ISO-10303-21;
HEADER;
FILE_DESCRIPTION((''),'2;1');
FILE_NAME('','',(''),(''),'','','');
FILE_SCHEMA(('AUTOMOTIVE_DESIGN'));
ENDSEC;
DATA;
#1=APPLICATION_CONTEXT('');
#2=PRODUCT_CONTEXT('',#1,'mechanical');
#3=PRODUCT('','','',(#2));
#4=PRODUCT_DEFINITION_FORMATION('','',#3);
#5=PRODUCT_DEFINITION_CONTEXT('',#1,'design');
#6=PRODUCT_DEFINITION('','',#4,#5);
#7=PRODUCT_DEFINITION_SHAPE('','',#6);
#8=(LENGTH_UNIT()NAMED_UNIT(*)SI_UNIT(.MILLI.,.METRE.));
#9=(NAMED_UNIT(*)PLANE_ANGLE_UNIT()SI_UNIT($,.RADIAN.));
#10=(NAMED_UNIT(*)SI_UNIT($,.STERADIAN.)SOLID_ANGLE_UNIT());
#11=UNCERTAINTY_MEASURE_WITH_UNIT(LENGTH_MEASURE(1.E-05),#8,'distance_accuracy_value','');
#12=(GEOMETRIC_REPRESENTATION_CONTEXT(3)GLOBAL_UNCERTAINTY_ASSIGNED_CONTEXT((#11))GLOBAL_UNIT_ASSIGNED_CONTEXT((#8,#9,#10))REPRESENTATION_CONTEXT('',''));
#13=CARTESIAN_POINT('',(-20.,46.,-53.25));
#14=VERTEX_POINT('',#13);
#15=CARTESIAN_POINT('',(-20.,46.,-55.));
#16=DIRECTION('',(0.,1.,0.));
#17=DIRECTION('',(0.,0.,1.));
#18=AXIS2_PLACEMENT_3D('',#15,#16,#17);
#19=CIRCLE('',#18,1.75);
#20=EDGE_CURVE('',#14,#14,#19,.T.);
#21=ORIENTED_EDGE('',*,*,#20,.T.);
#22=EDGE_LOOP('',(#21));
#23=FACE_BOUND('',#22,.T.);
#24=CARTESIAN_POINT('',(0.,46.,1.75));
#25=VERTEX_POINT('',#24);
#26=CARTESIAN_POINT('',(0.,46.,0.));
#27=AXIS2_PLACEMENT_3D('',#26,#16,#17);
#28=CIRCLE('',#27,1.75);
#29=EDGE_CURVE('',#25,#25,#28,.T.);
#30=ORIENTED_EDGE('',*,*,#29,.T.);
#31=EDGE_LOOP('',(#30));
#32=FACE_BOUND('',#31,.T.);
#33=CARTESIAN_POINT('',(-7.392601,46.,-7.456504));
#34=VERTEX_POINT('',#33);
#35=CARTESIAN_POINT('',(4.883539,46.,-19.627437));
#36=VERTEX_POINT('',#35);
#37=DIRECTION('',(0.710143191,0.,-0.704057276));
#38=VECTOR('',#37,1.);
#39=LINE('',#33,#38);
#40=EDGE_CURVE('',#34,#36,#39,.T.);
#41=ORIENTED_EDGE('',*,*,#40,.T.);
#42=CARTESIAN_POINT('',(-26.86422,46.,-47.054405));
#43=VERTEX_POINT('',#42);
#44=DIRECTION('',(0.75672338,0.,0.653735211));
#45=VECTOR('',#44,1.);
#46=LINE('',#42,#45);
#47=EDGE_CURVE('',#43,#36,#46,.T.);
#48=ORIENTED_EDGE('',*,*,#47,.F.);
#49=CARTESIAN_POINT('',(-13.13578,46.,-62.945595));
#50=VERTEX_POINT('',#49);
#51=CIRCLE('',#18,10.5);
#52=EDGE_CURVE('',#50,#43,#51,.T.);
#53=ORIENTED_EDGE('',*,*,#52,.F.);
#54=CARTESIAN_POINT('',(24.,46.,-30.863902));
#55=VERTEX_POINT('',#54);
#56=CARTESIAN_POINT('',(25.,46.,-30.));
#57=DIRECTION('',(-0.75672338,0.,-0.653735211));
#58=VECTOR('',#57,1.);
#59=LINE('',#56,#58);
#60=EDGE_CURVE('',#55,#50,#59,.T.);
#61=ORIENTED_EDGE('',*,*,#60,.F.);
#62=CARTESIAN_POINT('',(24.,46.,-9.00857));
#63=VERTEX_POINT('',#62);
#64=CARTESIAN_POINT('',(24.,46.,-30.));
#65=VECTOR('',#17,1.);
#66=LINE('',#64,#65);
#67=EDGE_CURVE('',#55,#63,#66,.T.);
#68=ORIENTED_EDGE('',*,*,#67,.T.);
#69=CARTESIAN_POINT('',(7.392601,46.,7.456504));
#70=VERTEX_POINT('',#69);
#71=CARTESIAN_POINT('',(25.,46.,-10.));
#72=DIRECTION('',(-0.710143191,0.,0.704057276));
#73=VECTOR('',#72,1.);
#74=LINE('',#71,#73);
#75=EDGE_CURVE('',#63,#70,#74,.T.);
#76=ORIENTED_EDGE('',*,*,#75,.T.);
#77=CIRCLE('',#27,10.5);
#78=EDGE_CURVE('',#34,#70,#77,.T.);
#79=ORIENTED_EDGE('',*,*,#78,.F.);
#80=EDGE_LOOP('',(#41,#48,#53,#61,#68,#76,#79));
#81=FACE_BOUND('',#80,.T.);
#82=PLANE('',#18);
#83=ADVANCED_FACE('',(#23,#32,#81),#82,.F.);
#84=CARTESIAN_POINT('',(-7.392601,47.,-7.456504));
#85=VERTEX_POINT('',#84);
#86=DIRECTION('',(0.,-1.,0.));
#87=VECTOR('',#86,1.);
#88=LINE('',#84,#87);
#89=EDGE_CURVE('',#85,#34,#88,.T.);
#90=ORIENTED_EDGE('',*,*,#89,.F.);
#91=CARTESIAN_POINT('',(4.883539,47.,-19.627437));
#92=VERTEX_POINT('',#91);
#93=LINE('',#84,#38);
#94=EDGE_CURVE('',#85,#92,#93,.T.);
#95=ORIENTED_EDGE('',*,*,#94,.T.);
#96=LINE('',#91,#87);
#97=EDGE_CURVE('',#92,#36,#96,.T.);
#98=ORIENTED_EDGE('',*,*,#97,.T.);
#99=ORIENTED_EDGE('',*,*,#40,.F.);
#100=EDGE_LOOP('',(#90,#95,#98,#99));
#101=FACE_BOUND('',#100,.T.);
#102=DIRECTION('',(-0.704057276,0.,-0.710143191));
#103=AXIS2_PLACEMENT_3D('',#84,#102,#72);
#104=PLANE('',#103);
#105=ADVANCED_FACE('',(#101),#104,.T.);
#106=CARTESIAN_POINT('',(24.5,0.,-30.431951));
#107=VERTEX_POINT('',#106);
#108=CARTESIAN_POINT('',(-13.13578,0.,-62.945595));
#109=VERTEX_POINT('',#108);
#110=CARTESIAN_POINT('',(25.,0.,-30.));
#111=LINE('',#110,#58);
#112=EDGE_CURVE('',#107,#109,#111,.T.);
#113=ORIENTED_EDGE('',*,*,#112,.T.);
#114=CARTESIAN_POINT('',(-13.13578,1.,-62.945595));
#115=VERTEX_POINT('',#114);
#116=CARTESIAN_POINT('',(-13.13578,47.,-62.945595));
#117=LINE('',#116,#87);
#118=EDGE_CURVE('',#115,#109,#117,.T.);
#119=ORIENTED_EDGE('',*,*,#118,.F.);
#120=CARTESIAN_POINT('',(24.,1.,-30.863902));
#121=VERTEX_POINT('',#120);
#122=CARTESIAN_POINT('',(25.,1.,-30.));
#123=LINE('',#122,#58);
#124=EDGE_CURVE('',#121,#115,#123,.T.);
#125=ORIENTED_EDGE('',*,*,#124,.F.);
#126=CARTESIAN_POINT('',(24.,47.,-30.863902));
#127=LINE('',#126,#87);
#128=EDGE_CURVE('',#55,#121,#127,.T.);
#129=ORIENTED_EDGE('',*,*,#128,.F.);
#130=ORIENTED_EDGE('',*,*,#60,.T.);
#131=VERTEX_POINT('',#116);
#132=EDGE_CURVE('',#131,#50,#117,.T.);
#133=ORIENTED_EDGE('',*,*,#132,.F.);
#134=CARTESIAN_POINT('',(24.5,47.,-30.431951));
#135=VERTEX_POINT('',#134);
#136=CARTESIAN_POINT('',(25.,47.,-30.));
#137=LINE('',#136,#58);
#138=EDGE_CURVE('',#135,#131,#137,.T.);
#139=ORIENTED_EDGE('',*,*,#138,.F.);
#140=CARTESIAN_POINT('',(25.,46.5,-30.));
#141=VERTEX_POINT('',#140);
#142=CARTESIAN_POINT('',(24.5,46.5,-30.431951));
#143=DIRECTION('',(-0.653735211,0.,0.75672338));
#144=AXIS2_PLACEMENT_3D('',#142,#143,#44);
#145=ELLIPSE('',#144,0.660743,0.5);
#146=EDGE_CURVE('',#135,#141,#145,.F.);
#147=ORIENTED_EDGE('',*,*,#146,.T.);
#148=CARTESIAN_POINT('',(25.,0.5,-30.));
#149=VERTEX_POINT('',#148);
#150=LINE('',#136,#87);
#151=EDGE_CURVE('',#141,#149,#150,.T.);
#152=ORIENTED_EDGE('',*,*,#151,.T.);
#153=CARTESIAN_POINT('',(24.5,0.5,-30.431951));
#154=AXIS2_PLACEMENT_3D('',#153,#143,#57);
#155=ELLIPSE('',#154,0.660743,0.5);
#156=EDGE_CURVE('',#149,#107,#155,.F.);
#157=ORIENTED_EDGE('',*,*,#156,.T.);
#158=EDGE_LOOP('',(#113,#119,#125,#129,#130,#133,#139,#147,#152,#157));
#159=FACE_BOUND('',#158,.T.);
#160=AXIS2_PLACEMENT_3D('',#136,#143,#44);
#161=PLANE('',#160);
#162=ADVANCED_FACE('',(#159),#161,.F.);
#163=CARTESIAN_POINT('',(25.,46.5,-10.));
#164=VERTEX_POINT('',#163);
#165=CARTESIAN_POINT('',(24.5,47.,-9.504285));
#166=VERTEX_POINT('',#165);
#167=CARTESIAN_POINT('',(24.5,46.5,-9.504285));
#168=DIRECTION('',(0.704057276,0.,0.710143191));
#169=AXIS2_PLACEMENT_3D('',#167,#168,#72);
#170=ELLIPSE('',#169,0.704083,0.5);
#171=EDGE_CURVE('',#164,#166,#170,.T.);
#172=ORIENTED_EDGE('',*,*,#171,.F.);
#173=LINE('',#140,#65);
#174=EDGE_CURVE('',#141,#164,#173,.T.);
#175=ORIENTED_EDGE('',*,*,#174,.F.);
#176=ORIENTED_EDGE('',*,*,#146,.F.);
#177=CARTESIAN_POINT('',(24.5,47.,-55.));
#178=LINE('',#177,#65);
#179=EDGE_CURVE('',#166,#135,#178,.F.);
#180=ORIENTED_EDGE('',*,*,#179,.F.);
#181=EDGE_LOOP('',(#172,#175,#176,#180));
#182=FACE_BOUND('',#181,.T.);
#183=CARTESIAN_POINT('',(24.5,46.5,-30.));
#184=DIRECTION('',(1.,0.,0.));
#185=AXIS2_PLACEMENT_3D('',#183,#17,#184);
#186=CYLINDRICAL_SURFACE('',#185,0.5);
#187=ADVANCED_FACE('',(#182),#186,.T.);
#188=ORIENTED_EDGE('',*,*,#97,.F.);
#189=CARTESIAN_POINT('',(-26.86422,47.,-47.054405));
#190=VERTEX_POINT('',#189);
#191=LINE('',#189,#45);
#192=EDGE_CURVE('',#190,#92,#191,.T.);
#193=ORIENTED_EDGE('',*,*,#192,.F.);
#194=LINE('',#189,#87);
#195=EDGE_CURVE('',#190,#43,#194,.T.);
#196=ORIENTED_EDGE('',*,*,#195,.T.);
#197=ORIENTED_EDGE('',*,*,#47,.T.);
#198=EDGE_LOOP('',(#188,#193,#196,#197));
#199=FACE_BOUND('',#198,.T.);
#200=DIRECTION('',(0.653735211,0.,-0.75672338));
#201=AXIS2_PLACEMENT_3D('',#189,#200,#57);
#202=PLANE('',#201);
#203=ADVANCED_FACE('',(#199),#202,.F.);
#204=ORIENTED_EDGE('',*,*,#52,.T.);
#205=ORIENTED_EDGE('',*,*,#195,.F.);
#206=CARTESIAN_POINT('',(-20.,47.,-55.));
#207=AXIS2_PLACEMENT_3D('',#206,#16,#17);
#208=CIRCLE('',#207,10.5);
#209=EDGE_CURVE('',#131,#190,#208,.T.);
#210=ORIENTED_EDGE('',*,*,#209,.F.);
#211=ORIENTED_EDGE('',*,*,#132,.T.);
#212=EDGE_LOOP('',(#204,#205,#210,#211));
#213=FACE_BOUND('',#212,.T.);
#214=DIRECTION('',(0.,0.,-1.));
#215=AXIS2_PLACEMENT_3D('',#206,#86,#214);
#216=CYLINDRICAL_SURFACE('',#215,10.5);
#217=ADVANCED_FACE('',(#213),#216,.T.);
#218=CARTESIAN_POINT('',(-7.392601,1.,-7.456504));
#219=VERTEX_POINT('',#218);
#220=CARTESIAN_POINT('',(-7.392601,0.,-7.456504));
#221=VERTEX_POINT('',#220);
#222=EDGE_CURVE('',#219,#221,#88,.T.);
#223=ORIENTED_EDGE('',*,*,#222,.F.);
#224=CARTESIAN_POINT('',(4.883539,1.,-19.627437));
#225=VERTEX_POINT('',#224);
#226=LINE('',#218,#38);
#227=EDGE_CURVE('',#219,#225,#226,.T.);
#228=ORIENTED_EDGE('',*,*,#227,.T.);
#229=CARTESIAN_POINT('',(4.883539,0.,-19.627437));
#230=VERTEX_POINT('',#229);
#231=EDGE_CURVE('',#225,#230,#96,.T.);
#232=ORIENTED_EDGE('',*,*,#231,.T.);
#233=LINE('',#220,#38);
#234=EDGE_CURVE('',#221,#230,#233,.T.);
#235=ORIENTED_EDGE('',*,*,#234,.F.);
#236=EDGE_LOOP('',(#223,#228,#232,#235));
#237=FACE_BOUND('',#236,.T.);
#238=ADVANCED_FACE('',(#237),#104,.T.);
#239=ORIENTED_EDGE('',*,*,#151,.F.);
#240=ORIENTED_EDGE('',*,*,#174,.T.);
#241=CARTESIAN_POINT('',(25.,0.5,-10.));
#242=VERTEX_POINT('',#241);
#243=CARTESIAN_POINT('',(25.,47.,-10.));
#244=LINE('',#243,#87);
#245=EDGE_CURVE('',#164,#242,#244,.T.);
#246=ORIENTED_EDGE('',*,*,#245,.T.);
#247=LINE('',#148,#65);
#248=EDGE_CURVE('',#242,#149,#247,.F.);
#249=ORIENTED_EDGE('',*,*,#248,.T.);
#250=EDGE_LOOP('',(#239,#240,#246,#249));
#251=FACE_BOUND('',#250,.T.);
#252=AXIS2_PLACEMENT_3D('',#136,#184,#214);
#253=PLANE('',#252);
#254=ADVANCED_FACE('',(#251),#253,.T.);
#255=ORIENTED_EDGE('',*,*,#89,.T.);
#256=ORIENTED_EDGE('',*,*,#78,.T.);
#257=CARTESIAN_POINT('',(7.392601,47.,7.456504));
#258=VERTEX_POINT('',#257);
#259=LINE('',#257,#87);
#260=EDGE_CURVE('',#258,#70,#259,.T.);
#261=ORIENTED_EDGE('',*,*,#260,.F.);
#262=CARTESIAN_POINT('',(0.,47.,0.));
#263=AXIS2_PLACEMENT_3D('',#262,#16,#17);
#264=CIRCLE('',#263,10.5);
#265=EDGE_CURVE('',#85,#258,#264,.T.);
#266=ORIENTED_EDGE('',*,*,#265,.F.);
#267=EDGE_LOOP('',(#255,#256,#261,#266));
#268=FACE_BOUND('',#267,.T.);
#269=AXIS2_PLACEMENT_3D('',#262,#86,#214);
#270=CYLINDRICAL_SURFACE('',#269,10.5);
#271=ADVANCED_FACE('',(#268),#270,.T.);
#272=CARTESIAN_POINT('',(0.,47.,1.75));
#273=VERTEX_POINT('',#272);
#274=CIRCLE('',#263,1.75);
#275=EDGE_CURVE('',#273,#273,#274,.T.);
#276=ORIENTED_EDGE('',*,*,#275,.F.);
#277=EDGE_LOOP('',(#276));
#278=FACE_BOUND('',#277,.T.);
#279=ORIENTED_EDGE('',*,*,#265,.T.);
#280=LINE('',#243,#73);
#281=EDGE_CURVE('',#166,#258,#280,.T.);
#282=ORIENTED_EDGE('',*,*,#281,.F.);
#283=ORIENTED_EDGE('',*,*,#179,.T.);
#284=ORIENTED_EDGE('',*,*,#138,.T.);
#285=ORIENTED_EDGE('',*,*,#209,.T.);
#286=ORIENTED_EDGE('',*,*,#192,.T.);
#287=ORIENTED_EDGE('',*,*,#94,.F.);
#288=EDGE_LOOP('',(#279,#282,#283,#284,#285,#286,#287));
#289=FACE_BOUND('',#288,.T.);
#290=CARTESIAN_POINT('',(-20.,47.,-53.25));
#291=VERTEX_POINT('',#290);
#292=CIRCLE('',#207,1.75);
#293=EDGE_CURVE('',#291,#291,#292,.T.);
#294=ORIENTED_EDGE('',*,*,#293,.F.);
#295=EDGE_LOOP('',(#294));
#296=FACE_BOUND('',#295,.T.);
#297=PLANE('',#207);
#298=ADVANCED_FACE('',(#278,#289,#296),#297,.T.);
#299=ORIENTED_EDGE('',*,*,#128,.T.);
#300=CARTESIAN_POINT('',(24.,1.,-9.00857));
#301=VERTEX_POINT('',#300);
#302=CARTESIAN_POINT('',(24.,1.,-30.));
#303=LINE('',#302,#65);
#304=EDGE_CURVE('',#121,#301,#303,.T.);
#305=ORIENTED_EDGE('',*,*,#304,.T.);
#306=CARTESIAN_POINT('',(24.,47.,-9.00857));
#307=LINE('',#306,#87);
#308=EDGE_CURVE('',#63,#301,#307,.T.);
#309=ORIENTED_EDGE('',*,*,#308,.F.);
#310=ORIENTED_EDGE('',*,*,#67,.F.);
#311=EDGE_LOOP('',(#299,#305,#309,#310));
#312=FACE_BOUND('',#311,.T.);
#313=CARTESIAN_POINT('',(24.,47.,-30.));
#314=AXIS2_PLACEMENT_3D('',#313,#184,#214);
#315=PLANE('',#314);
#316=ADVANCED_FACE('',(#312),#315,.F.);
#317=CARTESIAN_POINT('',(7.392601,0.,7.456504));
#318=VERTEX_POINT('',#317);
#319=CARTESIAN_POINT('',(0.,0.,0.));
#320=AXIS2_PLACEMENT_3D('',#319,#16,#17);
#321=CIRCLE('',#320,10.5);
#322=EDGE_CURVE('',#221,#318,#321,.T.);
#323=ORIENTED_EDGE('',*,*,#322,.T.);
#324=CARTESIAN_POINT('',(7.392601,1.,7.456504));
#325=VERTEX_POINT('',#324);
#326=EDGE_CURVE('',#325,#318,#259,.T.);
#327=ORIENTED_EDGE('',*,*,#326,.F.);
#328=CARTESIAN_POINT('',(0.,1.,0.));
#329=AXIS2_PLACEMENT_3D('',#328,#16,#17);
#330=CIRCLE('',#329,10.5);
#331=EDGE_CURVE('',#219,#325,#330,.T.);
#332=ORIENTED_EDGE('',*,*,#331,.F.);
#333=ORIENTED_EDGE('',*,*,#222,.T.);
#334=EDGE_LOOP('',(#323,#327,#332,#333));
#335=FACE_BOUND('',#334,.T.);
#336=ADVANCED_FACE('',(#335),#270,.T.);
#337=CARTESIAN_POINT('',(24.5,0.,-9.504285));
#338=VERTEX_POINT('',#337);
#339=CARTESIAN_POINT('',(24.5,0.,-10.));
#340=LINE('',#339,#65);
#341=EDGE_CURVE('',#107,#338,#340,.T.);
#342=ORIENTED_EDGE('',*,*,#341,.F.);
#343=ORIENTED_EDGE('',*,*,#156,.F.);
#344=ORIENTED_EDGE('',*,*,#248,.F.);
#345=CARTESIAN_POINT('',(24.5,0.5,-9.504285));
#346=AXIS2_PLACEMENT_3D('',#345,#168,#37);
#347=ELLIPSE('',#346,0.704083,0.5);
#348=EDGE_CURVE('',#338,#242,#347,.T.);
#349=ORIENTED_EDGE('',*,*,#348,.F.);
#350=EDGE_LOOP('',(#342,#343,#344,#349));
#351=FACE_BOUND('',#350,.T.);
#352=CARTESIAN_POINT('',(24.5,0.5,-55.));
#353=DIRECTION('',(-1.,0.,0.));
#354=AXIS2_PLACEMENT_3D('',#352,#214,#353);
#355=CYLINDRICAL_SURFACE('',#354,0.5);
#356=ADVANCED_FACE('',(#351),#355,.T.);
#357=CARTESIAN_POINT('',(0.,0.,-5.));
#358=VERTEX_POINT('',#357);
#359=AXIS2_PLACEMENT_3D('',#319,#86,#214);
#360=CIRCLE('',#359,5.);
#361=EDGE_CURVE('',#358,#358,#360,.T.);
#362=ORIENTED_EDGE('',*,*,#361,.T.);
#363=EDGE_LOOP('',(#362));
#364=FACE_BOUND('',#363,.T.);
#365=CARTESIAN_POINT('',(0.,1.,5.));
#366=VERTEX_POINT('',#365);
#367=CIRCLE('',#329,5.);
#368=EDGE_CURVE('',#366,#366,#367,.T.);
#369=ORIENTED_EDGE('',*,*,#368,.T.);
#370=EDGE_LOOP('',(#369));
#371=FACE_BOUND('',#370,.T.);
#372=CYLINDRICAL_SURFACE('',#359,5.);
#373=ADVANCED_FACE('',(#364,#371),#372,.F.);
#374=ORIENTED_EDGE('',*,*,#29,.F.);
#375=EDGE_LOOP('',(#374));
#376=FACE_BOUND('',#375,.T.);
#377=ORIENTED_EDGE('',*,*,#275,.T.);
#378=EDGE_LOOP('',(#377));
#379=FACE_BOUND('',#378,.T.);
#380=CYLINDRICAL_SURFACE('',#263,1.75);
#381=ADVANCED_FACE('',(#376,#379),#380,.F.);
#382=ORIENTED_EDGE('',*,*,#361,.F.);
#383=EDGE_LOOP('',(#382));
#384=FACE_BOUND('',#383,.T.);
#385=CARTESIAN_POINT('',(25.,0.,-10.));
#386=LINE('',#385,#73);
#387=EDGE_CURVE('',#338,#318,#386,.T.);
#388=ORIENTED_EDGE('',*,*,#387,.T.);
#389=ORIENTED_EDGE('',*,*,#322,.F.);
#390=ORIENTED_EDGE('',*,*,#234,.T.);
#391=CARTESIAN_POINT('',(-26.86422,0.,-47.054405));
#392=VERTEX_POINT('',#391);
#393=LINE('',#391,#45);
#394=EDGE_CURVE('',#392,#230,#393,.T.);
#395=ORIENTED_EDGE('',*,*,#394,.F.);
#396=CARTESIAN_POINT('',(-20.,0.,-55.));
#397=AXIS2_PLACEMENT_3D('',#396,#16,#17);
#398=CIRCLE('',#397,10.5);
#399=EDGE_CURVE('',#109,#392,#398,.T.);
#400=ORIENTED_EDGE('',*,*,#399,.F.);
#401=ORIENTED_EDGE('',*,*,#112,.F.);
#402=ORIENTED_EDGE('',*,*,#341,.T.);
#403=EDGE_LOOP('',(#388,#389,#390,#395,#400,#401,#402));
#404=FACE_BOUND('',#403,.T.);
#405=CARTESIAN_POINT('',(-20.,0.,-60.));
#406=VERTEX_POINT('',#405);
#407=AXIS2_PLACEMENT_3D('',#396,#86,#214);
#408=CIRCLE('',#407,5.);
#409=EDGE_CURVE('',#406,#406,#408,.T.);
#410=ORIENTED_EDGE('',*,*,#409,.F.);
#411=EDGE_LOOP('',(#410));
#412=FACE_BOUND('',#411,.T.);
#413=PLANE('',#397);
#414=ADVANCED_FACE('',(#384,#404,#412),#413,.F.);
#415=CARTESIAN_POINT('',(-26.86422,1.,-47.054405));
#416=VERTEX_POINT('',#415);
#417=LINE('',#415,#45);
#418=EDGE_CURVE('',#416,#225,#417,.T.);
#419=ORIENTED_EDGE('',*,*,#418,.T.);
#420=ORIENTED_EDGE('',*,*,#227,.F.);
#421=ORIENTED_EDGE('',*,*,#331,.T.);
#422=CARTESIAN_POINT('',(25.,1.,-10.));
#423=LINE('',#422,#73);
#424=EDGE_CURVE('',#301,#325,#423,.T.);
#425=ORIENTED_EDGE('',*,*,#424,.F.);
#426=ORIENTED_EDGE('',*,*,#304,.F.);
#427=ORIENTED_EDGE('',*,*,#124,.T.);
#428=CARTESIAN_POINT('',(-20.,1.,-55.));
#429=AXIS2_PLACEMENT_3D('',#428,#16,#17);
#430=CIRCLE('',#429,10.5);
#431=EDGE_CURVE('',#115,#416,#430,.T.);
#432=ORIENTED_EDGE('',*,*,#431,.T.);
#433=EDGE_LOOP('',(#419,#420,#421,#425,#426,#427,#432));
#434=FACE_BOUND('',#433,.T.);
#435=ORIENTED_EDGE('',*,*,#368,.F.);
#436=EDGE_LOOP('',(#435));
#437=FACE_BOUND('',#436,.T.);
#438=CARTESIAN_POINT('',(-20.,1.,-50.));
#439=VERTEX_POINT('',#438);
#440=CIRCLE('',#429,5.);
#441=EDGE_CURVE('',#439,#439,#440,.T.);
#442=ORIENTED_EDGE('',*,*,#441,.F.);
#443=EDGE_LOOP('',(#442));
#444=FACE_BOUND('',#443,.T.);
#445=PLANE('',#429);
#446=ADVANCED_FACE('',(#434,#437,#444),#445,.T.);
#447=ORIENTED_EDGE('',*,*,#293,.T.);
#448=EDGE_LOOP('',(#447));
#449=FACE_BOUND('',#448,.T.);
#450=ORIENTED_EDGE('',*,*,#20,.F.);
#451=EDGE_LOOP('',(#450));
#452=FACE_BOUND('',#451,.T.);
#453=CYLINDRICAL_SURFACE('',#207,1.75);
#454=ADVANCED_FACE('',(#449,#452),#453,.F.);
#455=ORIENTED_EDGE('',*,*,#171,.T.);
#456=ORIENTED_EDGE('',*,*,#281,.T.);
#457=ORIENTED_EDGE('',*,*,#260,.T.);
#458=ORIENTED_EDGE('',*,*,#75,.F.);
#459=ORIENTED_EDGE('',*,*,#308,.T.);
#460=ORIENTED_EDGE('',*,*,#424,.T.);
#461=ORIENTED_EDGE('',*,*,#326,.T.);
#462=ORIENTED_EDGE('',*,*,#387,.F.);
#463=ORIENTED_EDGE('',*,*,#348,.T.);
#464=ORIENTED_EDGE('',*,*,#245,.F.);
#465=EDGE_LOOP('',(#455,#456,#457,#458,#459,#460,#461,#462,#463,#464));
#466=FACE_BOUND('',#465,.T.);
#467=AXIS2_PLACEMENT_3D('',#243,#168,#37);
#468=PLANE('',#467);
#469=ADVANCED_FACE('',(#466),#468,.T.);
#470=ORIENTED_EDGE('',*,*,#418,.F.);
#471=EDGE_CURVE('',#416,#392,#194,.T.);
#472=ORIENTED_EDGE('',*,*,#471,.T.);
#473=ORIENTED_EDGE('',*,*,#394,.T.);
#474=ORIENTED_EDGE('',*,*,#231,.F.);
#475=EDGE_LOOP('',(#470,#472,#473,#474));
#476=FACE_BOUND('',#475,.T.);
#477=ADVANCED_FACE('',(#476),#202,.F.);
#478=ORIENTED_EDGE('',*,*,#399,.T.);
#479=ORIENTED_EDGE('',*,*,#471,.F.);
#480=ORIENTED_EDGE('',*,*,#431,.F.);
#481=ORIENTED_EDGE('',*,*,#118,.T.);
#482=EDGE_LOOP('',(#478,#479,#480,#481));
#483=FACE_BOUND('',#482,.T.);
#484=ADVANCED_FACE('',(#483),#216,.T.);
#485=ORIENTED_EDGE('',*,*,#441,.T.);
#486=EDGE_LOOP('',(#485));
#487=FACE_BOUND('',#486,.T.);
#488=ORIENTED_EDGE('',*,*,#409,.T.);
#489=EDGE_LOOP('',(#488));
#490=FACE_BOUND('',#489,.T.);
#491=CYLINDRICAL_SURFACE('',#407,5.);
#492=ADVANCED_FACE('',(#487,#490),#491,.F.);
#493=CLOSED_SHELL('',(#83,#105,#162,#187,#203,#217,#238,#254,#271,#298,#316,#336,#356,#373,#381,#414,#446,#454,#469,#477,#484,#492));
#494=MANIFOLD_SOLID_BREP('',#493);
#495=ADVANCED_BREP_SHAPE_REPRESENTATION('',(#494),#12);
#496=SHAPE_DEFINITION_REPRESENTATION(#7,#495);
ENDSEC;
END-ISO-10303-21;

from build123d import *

# Parameters (mm, degrees)
EXTRUDE_1_DEPTH             = 47
SHELL_1_T                   = -1
FILLET_2_R                  = 0.5
HOLE_WIZARD_3_5_3_5_1_D     = 3.5
HOLE_WIZARD_3_5_3_5_1_DEPTH = 1
HOLE_WIZARD_10_0_10_3_D     = 10
HOLE_WIZARD_10_0_10_3_DEPTH = 1


with BuildPart() as part:
    # 草图1 → 凸台-拉伸1 (new body)
    with BuildSketch(Plane(origin=(0, 0, 0), x_dir=(1, 0, 0), z_dir=(0, 1, 0))):
        with BuildLine():
            Line((25, 30), (-13.135780284, 62.94559549))
            ThreePointArc((-13.135780284, 62.94559549), (-27.94559549, 61.864219716), (-26.864219716, 47.05440451))
            Line((-26.864219716, 47.05440451), (4.883538541, 19.627437146))
            Line((4.883538541, 19.627437146), (-7.392601402, 7.456503505))
            ThreePointArc((-7.392601402, 7.456503505), (-7.456503505, -7.392601402), (7.392601402, -7.456503505))
            Line((7.392601402, -7.456503505), (25, 10))
            Line((25, 10), (25, 30))
        make_face()
    extrude(amount=EXTRUDE_1_DEPTH)

    # 抽壳1
    shell_1_openings = [part.faces().sort_by_distance(p)[0] for p in [
        (5.932109858, 23.5, -46.472797745),
        (16.196300701, 23.5, -1.271748248),
        (-7.456503505, 23.5, 7.392601402),
        (-1.25453143, 23.5, -13.541970325),
        (-10.990340588, 23.5, -33.340920828),
        (-27.94559549, 23.5, -61.864219716),
    ]]
    offset(amount=SHELL_1_T, openings=shell_1_openings, kind=Kind.INTERSECTION)

    # 圆角2
    fillet_2_edges = [part.edges().sort_by_distance(p)[0] for p in [
        (25, 47, -20),
        (25, 0, -20),
    ]]
    fillet(fillet_2_edges, radius=FILLET_2_R)

    # Ø3.5 (3.5) 直径槽口1
    with Locations(Plane(origin=(0, 47, 0), x_dir=(1, 0, 0), z_dir=(0, 1, 0))):
        with Locations((0, 0), (-20, 55)):
            Hole(HOLE_WIZARD_3_5_3_5_1_D / 2, depth=HOLE_WIZARD_3_5_3_5_1_DEPTH)

    # Ø10.0 (10) 直径槽口3
    with Locations(Plane(origin=(0, 0, 0), x_dir=(-1, 0, 0), z_dir=(0, -1, 0))):
        with Locations((0, 0), (20, 55)):
            Hole(HOLE_WIZARD_10_0_10_3_D / 2, depth=HOLE_WIZARD_10_0_10_3_DEPTH)


solid = part.part
